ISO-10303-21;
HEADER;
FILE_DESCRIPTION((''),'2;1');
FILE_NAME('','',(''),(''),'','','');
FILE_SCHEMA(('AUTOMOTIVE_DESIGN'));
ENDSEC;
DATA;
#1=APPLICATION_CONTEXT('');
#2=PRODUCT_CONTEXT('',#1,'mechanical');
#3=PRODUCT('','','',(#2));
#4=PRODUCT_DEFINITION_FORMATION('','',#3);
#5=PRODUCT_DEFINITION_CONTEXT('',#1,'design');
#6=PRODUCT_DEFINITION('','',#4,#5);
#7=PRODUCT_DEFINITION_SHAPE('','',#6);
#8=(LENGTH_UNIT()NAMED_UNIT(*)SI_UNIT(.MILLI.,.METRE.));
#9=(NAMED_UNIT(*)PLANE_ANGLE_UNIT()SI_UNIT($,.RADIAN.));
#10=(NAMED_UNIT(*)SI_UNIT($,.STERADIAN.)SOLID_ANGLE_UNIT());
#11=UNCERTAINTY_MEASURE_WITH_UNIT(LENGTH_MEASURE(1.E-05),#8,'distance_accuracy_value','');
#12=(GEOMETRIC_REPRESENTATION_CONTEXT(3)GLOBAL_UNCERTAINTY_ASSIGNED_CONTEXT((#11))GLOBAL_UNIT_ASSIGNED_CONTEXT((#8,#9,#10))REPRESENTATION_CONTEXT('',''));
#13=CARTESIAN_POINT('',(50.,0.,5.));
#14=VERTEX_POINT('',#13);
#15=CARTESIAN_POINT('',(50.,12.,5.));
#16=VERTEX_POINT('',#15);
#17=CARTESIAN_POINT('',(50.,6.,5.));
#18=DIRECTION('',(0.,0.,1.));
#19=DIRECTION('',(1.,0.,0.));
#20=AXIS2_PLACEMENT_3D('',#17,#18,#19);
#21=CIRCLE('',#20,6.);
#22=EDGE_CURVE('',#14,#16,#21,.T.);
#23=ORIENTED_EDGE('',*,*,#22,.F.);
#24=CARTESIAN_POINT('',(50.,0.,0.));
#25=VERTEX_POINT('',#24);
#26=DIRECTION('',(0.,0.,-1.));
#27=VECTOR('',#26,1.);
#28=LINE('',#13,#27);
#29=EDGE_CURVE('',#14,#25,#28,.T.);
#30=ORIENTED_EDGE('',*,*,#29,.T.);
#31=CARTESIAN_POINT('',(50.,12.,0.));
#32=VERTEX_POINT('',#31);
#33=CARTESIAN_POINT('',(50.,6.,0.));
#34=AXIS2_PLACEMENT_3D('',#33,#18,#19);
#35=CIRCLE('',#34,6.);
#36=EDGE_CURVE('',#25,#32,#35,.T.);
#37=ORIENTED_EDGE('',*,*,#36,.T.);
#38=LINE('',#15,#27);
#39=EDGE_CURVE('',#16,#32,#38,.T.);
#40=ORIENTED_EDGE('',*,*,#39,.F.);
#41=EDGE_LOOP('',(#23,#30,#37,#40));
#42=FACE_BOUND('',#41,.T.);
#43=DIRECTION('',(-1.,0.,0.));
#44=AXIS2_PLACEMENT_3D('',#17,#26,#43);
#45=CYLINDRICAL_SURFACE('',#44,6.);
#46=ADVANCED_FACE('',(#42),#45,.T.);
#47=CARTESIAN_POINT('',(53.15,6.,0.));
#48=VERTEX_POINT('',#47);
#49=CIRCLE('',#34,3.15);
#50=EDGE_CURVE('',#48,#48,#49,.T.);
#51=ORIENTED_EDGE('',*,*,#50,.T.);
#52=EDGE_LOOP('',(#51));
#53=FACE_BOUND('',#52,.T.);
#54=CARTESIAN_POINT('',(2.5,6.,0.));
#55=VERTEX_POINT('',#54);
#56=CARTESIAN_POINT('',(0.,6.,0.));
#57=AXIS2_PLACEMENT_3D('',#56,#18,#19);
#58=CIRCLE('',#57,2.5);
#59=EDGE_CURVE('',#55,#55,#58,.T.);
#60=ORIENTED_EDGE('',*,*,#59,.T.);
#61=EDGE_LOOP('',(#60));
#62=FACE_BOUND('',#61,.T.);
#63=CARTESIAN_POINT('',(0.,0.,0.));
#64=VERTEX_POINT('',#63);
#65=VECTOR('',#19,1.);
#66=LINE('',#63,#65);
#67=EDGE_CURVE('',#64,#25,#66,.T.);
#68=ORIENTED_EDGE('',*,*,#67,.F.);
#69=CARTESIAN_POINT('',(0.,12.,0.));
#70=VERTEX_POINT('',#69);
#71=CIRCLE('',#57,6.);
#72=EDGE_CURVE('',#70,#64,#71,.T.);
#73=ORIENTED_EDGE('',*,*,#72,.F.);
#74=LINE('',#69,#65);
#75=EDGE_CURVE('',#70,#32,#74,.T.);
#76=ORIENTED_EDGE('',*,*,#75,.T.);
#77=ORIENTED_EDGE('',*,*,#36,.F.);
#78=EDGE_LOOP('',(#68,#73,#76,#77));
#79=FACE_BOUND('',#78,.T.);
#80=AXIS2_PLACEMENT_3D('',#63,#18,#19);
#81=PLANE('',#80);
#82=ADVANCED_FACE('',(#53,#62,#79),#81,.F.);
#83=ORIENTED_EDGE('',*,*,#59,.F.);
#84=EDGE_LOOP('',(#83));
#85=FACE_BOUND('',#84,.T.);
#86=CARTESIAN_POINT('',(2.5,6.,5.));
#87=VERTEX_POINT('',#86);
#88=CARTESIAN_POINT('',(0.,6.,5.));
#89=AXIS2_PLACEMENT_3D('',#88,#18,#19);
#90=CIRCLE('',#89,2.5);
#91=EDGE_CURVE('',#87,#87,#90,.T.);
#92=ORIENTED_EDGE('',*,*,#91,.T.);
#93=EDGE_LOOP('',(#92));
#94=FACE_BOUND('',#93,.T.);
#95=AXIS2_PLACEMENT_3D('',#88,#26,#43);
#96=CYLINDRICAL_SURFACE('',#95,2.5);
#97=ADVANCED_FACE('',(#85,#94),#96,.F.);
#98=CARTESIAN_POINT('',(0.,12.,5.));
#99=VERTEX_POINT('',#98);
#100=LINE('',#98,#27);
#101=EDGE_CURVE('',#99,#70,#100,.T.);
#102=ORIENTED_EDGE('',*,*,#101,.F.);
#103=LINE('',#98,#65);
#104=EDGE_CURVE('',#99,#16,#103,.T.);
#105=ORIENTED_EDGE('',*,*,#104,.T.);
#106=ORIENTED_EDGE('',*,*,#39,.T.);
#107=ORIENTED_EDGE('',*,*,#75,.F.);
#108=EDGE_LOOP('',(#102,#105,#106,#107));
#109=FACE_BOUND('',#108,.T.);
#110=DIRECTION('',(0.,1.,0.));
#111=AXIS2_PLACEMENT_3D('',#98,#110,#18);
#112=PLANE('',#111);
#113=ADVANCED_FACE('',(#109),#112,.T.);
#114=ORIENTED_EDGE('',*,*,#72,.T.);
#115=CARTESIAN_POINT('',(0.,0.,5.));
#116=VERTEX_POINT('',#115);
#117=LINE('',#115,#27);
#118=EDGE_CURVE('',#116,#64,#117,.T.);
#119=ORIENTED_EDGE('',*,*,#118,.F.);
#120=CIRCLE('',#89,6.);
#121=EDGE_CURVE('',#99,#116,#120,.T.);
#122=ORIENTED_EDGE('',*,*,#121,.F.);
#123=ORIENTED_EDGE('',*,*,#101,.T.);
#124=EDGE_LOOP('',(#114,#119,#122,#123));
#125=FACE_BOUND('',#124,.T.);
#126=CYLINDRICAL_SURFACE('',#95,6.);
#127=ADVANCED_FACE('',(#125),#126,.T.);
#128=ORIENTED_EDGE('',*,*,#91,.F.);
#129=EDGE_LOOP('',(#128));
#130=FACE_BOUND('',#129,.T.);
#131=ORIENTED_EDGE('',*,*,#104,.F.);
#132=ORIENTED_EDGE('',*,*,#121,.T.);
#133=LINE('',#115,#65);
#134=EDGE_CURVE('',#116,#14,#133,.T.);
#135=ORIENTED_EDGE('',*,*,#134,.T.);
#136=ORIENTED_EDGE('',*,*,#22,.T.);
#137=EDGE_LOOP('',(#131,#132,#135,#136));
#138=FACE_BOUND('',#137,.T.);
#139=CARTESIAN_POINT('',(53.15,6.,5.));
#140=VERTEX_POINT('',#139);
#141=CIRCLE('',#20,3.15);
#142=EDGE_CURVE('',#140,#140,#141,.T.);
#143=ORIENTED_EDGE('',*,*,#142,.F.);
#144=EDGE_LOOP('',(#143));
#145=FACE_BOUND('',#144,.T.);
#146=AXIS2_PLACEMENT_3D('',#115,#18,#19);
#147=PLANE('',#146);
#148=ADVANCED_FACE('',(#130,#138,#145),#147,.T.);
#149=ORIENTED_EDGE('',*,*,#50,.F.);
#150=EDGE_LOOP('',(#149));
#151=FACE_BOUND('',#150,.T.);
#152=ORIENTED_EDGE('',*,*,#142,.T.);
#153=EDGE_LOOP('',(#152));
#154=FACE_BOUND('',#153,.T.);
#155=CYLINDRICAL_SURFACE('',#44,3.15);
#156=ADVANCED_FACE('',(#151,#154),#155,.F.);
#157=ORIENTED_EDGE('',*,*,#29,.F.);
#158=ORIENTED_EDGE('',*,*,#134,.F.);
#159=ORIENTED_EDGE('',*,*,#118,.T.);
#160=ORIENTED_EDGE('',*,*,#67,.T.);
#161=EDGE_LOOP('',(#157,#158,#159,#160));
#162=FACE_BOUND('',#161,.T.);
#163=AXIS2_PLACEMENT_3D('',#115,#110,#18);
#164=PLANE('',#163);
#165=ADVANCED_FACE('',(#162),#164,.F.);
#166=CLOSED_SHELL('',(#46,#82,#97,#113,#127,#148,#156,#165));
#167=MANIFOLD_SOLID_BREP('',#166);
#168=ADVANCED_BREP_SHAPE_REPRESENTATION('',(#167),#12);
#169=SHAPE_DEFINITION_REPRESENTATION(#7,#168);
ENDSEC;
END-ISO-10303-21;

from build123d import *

# Parameters (mm, degrees)
SKETCH1_R           = 2.5
SKETCH1_R_2         = 3.15
BOSS_EXTRUDE1_DEPTH = 5


with BuildPart() as part:
    # Sketch1 → Boss-Extrude1 (new body)
    with BuildSketch(Plane.XY):
        with BuildLine():
            Line((0, 0), (50, 0))
            ThreePointArc((50, 0), (56, 6), (50, 12))
            Line((50, 12), (0, 12))
            ThreePointArc((0, 12), (-6, 6), (0, 0))
        make_face()
        with Locations((0, 6)):
            Circle(SKETCH1_R, mode=Mode.SUBTRACT)
        with Locations((50, 6)):
            Circle(SKETCH1_R_2, mode=Mode.SUBTRACT)
    extrude(amount=BOSS_EXTRUDE1_DEPTH)


solid = part.part
